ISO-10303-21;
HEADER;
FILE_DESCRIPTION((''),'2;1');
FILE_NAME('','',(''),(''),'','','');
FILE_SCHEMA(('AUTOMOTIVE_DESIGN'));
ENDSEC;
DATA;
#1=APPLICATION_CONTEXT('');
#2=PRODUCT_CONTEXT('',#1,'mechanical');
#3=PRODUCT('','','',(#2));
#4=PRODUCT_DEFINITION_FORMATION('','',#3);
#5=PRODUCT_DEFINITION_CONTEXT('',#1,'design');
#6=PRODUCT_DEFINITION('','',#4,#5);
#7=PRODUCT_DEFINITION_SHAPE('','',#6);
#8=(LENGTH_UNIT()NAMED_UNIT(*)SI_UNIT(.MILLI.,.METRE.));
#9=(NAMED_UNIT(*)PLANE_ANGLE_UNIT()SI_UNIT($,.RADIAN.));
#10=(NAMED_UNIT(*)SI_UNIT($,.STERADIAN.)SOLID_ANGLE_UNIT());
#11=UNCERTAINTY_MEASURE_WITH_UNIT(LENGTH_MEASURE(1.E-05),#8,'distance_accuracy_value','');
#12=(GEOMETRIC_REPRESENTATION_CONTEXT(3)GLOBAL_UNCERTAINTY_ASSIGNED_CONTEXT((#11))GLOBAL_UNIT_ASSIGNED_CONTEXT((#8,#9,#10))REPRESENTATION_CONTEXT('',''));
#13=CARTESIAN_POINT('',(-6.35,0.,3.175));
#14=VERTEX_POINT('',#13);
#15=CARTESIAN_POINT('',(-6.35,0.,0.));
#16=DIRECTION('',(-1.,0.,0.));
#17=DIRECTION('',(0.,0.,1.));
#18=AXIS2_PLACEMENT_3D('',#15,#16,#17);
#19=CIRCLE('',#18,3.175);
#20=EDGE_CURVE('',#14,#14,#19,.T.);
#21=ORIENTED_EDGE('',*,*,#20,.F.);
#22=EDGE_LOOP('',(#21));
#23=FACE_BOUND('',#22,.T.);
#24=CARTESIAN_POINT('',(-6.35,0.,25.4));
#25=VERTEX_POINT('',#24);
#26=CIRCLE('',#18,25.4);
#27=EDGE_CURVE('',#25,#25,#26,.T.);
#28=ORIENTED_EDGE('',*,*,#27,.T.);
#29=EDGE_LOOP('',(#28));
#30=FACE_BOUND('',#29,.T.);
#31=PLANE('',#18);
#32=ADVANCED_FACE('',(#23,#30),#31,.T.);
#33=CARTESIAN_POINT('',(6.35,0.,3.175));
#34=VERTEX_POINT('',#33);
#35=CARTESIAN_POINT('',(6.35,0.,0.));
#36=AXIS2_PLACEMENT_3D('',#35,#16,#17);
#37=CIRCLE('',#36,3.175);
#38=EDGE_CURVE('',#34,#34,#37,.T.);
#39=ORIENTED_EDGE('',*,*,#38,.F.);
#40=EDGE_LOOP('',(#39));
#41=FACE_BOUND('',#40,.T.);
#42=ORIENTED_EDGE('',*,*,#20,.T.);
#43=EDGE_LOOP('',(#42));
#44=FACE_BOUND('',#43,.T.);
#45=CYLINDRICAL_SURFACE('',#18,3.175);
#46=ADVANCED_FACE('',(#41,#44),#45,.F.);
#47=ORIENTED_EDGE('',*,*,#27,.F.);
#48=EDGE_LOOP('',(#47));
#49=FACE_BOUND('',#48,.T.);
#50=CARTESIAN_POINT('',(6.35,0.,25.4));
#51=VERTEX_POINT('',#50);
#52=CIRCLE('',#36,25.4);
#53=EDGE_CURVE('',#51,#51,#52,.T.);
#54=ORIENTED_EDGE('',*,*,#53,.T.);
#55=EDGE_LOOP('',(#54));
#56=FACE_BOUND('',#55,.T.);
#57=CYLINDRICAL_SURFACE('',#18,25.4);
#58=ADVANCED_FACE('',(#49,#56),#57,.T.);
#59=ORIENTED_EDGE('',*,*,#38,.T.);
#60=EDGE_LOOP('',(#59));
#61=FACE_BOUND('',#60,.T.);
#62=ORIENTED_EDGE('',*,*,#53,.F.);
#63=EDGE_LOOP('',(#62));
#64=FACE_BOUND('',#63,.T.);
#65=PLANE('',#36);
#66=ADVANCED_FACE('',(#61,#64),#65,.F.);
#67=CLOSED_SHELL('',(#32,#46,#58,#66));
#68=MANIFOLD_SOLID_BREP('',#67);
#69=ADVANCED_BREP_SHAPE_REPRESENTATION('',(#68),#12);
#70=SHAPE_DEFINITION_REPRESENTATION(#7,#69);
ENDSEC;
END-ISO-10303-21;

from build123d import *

# Parameters (mm, degrees)
SKETCH1_W = 12.7
SKETCH1_H = 22.225


with BuildPart() as part:
    # Sketch1 → Revolve2 (revolve)
    with BuildSketch(Plane.XY, mode=Mode.PRIVATE) as revolve2_sk:
        with Locations((0, 14.2875)):
            Rectangle(SKETCH1_W, SKETCH1_H)
    revolve(revolve2_sk.sketch.rotate(Axis((-6.35, 0, 0), (1, 0, 0)), 90), axis=Axis((-6.35, 0, 0), (1, 0, 0)))


solid = part.part
